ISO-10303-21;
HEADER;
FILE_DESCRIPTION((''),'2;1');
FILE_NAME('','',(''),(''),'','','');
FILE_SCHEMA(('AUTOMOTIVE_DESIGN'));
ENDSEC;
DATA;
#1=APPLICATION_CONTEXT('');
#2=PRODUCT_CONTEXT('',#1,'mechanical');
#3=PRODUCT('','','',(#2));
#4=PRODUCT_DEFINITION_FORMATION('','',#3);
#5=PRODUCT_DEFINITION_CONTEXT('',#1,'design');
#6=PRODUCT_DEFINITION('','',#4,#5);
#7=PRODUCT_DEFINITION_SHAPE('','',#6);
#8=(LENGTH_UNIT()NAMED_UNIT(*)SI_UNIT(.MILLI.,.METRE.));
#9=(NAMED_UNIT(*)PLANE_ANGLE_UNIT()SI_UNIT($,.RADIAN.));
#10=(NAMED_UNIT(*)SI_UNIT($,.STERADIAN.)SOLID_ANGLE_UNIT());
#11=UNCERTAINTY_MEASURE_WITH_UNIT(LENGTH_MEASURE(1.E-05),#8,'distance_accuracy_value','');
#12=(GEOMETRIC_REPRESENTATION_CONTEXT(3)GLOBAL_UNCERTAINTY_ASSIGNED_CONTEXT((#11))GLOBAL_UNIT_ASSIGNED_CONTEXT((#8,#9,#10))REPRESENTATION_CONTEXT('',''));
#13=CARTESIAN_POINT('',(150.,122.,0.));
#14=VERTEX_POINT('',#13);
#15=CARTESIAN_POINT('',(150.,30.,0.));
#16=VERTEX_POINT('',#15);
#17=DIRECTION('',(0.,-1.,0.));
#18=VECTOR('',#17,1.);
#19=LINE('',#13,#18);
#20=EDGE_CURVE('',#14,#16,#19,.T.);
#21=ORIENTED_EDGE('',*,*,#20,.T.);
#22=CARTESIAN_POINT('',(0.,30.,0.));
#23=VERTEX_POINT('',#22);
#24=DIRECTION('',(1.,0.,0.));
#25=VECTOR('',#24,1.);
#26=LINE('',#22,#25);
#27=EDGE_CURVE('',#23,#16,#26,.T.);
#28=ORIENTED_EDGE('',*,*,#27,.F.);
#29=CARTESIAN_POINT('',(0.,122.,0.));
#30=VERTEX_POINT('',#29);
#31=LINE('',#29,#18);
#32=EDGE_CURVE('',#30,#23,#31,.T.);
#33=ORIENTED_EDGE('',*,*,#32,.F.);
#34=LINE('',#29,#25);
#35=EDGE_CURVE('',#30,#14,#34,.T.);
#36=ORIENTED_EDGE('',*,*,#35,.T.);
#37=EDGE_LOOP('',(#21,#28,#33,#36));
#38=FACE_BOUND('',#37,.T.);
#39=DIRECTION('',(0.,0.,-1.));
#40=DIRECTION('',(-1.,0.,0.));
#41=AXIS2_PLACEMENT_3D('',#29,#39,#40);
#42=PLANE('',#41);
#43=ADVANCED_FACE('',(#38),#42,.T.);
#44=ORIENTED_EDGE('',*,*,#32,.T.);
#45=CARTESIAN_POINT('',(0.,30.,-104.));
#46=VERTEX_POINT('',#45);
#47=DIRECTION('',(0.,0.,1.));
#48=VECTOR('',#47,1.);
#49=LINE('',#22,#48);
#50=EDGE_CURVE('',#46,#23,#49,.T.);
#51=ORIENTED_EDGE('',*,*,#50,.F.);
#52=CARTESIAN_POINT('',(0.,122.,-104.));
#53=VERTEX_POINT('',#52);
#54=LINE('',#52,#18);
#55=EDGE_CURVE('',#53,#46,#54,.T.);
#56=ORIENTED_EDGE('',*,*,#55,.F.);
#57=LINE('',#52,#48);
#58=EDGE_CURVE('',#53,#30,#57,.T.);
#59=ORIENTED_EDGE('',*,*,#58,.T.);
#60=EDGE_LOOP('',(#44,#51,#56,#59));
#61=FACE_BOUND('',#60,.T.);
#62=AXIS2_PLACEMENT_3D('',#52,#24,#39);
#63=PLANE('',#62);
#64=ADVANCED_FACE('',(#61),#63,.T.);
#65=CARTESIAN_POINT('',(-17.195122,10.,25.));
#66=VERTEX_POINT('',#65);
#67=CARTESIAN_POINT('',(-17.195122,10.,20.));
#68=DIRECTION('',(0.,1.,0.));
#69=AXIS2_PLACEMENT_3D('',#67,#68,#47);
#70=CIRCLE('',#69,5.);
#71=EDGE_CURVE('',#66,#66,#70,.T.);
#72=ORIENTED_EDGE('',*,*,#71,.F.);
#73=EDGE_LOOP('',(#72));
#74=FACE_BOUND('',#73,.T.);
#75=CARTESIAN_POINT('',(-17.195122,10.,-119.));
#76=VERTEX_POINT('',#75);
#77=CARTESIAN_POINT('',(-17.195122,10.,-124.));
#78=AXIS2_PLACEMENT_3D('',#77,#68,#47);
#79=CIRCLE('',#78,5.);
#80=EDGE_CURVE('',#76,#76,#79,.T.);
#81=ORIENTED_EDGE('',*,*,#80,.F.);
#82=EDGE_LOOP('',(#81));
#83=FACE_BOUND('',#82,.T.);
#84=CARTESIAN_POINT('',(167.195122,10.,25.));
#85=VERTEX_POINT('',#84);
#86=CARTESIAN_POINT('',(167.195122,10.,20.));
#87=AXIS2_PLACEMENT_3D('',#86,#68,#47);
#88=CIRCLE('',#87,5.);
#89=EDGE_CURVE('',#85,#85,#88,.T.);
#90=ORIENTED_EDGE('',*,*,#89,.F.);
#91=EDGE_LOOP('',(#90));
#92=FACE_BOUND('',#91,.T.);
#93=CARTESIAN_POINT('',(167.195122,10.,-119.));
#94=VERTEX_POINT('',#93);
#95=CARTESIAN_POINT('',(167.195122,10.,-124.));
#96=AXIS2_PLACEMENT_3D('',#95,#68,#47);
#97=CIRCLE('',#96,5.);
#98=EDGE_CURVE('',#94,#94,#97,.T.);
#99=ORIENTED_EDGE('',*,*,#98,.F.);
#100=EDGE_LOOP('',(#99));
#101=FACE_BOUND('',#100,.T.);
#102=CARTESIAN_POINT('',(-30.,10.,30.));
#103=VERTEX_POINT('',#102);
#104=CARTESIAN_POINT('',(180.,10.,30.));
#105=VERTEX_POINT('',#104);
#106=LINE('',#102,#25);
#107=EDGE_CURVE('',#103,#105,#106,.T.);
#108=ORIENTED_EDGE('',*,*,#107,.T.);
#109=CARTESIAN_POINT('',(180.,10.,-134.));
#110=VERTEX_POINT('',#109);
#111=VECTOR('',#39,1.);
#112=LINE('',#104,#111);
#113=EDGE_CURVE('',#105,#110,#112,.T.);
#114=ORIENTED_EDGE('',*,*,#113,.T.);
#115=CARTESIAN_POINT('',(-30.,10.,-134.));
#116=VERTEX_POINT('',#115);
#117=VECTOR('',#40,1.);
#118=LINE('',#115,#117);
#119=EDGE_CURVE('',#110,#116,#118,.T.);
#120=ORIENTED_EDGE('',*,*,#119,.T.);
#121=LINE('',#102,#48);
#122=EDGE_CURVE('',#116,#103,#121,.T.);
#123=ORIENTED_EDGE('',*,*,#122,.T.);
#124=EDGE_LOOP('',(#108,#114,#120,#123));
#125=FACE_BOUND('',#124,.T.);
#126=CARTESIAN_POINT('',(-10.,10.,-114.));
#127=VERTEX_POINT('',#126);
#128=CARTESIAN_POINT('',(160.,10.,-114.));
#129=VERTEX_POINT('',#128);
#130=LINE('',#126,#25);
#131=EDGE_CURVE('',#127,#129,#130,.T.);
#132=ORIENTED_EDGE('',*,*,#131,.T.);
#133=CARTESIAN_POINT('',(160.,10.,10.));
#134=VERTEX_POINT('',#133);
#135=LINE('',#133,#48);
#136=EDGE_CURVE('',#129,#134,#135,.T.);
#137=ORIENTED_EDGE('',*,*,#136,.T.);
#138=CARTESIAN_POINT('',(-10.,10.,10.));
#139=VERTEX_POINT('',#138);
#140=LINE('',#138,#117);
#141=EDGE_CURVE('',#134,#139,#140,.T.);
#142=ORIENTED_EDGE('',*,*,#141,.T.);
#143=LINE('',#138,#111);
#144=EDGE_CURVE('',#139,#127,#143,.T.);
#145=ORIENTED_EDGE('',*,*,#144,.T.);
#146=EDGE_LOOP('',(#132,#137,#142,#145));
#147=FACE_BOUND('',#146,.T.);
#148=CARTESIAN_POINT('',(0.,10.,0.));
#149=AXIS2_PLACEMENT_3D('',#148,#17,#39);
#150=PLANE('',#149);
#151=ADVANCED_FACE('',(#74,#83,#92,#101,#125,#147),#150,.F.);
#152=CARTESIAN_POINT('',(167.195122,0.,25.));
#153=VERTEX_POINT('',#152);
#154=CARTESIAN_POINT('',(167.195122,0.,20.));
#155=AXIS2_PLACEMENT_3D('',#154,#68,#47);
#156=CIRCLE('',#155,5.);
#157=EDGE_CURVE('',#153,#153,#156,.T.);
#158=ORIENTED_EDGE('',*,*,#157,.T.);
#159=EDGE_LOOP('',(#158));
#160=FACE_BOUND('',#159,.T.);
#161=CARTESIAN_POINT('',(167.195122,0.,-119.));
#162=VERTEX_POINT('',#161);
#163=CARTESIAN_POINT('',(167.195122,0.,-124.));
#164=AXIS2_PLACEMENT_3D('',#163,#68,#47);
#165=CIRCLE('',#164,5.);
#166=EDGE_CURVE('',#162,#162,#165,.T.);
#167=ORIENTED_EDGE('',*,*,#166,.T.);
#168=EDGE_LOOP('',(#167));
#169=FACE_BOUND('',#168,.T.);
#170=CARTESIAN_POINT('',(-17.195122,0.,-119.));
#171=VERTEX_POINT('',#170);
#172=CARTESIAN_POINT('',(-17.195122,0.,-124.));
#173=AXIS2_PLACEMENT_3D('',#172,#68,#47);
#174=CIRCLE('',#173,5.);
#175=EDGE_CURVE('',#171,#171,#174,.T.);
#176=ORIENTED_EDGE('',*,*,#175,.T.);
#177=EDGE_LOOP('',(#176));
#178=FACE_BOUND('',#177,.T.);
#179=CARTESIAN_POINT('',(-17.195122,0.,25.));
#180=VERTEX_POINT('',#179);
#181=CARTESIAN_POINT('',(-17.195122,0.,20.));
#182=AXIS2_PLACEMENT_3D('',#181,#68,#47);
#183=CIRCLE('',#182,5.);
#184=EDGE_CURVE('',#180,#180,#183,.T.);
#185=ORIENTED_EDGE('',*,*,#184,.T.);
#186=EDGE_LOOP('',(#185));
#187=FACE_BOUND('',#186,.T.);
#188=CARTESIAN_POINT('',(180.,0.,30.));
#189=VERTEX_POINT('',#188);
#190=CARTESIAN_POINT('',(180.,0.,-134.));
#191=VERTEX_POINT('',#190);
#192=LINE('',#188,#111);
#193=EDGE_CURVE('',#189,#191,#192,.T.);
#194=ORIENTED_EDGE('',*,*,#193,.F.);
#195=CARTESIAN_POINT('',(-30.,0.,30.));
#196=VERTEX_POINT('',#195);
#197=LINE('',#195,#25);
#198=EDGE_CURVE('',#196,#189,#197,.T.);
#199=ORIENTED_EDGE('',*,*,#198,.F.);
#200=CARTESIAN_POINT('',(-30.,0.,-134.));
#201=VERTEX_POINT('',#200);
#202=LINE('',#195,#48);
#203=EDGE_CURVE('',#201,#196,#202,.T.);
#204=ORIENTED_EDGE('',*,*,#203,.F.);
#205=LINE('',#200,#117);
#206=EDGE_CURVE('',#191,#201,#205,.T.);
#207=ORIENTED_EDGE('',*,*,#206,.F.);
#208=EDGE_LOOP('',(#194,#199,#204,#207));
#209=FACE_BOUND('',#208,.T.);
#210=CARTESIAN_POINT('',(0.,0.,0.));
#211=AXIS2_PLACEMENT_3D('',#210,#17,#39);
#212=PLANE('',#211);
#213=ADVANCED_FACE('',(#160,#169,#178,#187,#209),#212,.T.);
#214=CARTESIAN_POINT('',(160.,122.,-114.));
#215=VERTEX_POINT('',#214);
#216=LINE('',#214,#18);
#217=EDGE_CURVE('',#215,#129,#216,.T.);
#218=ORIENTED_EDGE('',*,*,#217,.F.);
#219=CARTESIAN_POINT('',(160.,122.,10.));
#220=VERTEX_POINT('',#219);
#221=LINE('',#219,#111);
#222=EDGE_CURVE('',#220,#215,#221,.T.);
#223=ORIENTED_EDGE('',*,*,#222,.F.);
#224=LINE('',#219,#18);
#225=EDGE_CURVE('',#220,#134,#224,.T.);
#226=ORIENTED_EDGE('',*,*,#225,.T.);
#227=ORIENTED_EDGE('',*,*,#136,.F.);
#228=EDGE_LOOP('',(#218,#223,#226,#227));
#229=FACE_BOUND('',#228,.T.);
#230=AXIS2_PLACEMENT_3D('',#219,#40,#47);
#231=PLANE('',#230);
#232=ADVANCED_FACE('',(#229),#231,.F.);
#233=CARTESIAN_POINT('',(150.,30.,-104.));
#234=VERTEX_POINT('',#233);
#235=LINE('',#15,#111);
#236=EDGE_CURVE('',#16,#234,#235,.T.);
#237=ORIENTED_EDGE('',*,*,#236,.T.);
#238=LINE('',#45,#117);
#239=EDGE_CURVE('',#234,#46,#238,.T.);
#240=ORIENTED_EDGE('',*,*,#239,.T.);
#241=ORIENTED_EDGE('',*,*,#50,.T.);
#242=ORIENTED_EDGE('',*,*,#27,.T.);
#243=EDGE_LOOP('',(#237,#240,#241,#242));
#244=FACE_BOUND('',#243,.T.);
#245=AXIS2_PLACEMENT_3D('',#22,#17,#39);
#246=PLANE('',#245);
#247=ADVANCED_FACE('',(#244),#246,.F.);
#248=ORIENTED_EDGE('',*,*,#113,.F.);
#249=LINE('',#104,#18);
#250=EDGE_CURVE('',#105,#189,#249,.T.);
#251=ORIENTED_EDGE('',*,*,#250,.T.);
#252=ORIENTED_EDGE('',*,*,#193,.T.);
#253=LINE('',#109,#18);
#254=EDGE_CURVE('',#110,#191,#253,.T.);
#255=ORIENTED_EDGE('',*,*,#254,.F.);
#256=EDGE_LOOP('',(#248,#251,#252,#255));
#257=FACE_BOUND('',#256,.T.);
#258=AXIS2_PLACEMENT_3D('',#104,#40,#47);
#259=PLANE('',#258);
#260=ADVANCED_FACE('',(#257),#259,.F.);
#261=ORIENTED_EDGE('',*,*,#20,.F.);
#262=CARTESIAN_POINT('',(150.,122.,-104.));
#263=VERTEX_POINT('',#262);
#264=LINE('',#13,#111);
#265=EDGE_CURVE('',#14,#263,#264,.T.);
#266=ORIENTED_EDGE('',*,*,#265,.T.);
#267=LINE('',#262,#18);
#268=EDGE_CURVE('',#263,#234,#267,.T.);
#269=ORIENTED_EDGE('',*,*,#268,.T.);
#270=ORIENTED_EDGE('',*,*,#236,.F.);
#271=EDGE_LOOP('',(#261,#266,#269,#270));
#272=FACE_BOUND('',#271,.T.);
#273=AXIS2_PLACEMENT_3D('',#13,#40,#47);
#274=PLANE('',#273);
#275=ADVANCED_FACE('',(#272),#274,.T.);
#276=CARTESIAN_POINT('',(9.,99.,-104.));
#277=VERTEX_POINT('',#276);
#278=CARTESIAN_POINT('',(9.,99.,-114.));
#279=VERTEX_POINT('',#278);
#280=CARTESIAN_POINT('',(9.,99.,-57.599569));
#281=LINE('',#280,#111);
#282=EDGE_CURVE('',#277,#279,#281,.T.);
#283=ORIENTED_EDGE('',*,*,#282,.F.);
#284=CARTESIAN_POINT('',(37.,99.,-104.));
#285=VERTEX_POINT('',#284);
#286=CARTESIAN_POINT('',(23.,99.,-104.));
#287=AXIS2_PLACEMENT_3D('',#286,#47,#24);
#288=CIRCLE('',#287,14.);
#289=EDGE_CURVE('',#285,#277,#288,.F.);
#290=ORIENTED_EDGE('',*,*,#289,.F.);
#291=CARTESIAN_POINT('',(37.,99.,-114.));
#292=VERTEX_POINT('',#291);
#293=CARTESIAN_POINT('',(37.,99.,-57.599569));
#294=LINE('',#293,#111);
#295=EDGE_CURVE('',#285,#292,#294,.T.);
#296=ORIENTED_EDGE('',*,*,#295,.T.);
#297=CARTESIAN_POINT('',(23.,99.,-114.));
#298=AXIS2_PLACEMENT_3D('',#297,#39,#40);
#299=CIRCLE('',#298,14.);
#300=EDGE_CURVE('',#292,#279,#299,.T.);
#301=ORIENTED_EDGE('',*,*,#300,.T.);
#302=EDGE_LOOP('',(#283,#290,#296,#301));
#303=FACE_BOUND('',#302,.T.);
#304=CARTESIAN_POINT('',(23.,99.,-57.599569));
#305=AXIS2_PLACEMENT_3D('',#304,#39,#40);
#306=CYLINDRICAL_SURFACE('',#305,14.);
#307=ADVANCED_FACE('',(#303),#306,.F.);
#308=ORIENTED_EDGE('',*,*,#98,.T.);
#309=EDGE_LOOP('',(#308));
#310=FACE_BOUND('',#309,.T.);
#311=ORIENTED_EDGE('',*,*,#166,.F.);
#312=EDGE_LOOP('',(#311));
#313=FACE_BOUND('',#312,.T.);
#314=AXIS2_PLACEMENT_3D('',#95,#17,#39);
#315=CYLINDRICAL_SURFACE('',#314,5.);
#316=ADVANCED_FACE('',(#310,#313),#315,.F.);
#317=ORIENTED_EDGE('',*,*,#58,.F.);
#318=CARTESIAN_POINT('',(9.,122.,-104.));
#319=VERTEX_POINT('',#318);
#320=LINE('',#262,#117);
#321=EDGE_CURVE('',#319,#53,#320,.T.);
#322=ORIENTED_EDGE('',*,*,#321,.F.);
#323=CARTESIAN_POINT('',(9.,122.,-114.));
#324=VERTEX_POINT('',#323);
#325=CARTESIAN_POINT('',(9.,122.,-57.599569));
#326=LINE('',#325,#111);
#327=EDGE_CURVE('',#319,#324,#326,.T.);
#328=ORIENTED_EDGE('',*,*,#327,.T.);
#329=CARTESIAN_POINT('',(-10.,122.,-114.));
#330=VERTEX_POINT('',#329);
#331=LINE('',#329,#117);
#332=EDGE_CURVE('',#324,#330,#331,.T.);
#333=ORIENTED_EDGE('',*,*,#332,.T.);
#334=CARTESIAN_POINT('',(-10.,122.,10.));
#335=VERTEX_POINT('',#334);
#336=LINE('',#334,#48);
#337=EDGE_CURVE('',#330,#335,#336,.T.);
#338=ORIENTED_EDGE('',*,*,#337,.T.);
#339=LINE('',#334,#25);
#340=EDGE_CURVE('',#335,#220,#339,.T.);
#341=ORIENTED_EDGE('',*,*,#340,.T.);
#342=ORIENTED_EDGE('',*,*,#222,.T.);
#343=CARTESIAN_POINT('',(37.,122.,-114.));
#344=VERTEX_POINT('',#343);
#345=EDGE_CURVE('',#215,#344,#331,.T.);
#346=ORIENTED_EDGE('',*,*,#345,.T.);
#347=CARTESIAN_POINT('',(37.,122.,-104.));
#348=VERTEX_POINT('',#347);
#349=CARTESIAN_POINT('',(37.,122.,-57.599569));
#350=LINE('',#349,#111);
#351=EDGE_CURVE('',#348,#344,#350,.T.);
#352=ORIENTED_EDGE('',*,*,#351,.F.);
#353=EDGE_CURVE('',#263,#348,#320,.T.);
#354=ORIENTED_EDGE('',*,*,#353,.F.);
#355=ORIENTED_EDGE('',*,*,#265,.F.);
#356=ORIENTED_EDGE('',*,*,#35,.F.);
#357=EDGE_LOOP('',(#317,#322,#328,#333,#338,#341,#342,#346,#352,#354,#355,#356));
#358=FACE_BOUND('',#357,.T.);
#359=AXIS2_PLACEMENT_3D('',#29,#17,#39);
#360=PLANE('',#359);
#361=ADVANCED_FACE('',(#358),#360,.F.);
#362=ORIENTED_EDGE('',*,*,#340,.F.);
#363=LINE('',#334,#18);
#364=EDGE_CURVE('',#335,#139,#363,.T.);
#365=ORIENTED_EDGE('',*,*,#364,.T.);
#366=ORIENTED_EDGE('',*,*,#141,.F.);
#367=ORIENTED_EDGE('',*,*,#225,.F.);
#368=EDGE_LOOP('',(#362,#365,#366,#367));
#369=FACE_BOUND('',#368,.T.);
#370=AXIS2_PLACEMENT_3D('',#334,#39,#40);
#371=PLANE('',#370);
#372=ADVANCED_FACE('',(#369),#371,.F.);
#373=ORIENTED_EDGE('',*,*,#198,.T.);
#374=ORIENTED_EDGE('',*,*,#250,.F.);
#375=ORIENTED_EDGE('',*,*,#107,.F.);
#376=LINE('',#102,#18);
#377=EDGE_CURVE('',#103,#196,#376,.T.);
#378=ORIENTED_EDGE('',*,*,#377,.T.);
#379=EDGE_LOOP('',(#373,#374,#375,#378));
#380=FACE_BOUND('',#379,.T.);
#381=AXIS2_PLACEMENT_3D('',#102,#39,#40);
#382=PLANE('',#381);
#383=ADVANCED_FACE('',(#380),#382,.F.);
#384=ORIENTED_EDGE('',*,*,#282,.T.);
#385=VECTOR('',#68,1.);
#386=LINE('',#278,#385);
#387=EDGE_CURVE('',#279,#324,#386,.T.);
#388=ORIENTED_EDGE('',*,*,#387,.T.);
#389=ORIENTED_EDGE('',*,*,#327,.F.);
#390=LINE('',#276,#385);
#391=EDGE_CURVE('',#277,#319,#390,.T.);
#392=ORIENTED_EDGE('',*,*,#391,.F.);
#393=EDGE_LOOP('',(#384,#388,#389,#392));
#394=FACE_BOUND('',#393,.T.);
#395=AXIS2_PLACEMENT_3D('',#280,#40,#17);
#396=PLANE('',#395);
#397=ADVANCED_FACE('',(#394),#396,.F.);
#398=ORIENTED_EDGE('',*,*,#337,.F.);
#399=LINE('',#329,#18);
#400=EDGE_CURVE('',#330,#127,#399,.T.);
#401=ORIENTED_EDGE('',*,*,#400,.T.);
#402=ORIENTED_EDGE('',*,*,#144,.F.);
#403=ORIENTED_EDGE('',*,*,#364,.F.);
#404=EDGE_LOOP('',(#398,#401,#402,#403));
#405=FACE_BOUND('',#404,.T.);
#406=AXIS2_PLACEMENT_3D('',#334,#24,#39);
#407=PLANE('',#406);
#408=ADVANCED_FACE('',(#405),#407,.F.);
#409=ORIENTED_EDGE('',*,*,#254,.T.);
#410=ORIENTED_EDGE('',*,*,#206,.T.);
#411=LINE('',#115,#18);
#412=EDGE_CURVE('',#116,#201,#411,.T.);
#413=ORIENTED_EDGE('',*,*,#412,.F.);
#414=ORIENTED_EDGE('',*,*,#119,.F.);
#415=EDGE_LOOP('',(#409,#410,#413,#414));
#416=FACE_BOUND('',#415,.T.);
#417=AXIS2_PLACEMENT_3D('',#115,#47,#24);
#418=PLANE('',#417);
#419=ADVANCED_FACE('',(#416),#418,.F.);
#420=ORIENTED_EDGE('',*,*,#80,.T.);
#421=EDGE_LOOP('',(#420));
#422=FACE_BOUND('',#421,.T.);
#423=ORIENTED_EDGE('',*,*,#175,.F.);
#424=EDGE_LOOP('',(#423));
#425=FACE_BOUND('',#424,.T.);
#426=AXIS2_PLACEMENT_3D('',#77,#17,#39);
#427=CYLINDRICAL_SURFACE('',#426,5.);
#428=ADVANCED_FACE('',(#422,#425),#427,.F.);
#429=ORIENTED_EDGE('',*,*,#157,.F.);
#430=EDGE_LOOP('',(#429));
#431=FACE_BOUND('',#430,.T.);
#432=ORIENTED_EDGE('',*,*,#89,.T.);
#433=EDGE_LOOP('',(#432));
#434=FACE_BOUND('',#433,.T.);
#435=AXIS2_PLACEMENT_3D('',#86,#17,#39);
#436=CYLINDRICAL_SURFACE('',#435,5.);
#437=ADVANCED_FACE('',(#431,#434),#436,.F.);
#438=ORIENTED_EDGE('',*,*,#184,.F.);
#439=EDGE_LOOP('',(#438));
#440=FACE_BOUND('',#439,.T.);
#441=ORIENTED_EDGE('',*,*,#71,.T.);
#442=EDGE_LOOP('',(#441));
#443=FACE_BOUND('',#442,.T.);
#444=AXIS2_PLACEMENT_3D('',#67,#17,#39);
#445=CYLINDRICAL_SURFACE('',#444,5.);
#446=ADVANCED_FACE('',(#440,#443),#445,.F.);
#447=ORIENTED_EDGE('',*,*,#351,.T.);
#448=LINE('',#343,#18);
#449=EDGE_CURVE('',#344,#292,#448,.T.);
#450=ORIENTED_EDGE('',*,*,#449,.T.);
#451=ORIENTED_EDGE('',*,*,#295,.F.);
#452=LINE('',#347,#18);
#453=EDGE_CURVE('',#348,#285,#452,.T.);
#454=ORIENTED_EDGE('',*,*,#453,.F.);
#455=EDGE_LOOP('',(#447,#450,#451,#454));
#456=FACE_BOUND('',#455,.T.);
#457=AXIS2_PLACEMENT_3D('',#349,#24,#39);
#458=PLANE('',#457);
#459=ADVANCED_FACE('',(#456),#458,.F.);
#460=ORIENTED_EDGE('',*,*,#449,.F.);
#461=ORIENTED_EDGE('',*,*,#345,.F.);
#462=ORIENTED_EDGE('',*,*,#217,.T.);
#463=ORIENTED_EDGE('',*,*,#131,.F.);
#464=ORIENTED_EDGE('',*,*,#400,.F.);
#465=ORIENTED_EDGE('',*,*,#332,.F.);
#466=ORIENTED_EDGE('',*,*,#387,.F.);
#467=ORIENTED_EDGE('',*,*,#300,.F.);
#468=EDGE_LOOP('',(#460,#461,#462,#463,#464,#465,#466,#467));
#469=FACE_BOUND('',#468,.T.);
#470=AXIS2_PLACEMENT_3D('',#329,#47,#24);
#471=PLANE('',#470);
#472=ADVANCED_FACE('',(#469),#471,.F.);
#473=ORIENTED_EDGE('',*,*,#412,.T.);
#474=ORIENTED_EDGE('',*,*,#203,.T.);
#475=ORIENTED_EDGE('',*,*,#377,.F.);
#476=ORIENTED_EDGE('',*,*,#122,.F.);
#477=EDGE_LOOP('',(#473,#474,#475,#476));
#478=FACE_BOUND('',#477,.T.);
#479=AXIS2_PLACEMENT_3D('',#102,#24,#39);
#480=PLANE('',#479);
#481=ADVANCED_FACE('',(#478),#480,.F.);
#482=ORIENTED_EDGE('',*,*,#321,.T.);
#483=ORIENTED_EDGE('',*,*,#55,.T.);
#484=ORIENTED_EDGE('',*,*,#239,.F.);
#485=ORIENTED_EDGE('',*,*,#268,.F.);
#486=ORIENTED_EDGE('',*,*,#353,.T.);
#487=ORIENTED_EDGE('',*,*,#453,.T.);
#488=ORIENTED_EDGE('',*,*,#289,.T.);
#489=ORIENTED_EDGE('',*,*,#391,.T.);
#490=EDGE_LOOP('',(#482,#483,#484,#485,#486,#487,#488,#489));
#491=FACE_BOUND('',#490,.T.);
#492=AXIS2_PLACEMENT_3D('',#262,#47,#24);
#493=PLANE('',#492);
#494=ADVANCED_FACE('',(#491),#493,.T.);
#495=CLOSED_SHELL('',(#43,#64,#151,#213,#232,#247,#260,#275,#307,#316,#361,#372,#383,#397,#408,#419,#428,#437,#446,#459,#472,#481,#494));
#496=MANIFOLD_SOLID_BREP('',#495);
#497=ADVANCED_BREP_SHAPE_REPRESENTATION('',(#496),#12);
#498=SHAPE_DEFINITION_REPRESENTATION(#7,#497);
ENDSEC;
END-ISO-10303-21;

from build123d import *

# Parameters (mm, degrees)
SKETCH1_W           = 150
SKETCH1_H           = 104
BOSS_EXTRUDE1_DEPTH = 30
SKETCH2_W           = 170
SKETCH2_H           = 124
SKETCH2_W_2         = 150
SKETCH2_H_2         = 104
BOSS_EXTRUDE2_DEPTH = 122
CUT_EXTRUDE2_DEPTH  = 10
SKETCH6_W           = 210
SKETCH6_H           = 164
SKETCH6_R           = 5
BOSS_EXTRUDE3_DEPTH = 10


with BuildPart() as part:
    # Sketch1 → Boss-Extrude1 (new body)
    with BuildSketch(Plane(origin=(0, 0, 0), x_dir=(1, 0, 0), z_dir=(0, 1, 0))):
        with Locations((75, 52)):
            Rectangle(SKETCH1_W, SKETCH1_H)
    extrude(amount=BOSS_EXTRUDE1_DEPTH)

    # Sketch2 → Boss-Extrude2 (add)
    with BuildSketch(Plane(origin=(0, 0, 0), x_dir=(1, 0, 0), z_dir=(0, 1, 0))):
        with Locations((75, 52)):
            Rectangle(SKETCH2_W, SKETCH2_H)
        with Locations((75, 52)):
            Rectangle(SKETCH2_W_2, SKETCH2_H_2, mode=Mode.SUBTRACT)
    extrude(amount=BOSS_EXTRUDE2_DEPTH)

    # Sketch5 → Cut-Extrude2 (cut)
    with BuildSketch(Plane(origin=(0, 0, -114), x_dir=(-1, 0, 0), z_dir=(0, 0, -1))):
        with BuildLine():
            Line((-37, 122), (-37, 99))
            ThreePointArc((-37, 99), (-23, 85), (-9, 99))
            Line((-9, 99), (-9, 122))
            Line((-9, 122), (-37, 122))
        make_face()
    extrude(amount=-CUT_EXTRUDE2_DEPTH, mode=Mode.SUBTRACT)

    # Sketch6 → Boss-Extrude3 (add)
    with BuildSketch(Plane(origin=(0, 0, 0), x_dir=(1, 0, 0), z_dir=(0, 1, 0))):
        with Locations((75, 52)):
            Rectangle(SKETCH6_W, SKETCH6_H)
        with Locations(Location((-17.195121951, -20, 0), (0, 0, 270))):
            Circle(SKETCH6_R, mode=Mode.SUBTRACT)
        with Locations(Location((167.195121951, -20, 0), (0, 0, 270))):
            Circle(SKETCH6_R, mode=Mode.SUBTRACT)
        with Locations(Location((167.195121951, 124, 0), (0, 0, 270))):
            Circle(SKETCH6_R, mode=Mode.SUBTRACT)
        with Locations(Location((-17.195121951, 124, 0), (0, 0, 270))):
            Circle(SKETCH6_R, mode=Mode.SUBTRACT)
    extrude(amount=BOSS_EXTRUDE3_DEPTH)


solid = part.part
